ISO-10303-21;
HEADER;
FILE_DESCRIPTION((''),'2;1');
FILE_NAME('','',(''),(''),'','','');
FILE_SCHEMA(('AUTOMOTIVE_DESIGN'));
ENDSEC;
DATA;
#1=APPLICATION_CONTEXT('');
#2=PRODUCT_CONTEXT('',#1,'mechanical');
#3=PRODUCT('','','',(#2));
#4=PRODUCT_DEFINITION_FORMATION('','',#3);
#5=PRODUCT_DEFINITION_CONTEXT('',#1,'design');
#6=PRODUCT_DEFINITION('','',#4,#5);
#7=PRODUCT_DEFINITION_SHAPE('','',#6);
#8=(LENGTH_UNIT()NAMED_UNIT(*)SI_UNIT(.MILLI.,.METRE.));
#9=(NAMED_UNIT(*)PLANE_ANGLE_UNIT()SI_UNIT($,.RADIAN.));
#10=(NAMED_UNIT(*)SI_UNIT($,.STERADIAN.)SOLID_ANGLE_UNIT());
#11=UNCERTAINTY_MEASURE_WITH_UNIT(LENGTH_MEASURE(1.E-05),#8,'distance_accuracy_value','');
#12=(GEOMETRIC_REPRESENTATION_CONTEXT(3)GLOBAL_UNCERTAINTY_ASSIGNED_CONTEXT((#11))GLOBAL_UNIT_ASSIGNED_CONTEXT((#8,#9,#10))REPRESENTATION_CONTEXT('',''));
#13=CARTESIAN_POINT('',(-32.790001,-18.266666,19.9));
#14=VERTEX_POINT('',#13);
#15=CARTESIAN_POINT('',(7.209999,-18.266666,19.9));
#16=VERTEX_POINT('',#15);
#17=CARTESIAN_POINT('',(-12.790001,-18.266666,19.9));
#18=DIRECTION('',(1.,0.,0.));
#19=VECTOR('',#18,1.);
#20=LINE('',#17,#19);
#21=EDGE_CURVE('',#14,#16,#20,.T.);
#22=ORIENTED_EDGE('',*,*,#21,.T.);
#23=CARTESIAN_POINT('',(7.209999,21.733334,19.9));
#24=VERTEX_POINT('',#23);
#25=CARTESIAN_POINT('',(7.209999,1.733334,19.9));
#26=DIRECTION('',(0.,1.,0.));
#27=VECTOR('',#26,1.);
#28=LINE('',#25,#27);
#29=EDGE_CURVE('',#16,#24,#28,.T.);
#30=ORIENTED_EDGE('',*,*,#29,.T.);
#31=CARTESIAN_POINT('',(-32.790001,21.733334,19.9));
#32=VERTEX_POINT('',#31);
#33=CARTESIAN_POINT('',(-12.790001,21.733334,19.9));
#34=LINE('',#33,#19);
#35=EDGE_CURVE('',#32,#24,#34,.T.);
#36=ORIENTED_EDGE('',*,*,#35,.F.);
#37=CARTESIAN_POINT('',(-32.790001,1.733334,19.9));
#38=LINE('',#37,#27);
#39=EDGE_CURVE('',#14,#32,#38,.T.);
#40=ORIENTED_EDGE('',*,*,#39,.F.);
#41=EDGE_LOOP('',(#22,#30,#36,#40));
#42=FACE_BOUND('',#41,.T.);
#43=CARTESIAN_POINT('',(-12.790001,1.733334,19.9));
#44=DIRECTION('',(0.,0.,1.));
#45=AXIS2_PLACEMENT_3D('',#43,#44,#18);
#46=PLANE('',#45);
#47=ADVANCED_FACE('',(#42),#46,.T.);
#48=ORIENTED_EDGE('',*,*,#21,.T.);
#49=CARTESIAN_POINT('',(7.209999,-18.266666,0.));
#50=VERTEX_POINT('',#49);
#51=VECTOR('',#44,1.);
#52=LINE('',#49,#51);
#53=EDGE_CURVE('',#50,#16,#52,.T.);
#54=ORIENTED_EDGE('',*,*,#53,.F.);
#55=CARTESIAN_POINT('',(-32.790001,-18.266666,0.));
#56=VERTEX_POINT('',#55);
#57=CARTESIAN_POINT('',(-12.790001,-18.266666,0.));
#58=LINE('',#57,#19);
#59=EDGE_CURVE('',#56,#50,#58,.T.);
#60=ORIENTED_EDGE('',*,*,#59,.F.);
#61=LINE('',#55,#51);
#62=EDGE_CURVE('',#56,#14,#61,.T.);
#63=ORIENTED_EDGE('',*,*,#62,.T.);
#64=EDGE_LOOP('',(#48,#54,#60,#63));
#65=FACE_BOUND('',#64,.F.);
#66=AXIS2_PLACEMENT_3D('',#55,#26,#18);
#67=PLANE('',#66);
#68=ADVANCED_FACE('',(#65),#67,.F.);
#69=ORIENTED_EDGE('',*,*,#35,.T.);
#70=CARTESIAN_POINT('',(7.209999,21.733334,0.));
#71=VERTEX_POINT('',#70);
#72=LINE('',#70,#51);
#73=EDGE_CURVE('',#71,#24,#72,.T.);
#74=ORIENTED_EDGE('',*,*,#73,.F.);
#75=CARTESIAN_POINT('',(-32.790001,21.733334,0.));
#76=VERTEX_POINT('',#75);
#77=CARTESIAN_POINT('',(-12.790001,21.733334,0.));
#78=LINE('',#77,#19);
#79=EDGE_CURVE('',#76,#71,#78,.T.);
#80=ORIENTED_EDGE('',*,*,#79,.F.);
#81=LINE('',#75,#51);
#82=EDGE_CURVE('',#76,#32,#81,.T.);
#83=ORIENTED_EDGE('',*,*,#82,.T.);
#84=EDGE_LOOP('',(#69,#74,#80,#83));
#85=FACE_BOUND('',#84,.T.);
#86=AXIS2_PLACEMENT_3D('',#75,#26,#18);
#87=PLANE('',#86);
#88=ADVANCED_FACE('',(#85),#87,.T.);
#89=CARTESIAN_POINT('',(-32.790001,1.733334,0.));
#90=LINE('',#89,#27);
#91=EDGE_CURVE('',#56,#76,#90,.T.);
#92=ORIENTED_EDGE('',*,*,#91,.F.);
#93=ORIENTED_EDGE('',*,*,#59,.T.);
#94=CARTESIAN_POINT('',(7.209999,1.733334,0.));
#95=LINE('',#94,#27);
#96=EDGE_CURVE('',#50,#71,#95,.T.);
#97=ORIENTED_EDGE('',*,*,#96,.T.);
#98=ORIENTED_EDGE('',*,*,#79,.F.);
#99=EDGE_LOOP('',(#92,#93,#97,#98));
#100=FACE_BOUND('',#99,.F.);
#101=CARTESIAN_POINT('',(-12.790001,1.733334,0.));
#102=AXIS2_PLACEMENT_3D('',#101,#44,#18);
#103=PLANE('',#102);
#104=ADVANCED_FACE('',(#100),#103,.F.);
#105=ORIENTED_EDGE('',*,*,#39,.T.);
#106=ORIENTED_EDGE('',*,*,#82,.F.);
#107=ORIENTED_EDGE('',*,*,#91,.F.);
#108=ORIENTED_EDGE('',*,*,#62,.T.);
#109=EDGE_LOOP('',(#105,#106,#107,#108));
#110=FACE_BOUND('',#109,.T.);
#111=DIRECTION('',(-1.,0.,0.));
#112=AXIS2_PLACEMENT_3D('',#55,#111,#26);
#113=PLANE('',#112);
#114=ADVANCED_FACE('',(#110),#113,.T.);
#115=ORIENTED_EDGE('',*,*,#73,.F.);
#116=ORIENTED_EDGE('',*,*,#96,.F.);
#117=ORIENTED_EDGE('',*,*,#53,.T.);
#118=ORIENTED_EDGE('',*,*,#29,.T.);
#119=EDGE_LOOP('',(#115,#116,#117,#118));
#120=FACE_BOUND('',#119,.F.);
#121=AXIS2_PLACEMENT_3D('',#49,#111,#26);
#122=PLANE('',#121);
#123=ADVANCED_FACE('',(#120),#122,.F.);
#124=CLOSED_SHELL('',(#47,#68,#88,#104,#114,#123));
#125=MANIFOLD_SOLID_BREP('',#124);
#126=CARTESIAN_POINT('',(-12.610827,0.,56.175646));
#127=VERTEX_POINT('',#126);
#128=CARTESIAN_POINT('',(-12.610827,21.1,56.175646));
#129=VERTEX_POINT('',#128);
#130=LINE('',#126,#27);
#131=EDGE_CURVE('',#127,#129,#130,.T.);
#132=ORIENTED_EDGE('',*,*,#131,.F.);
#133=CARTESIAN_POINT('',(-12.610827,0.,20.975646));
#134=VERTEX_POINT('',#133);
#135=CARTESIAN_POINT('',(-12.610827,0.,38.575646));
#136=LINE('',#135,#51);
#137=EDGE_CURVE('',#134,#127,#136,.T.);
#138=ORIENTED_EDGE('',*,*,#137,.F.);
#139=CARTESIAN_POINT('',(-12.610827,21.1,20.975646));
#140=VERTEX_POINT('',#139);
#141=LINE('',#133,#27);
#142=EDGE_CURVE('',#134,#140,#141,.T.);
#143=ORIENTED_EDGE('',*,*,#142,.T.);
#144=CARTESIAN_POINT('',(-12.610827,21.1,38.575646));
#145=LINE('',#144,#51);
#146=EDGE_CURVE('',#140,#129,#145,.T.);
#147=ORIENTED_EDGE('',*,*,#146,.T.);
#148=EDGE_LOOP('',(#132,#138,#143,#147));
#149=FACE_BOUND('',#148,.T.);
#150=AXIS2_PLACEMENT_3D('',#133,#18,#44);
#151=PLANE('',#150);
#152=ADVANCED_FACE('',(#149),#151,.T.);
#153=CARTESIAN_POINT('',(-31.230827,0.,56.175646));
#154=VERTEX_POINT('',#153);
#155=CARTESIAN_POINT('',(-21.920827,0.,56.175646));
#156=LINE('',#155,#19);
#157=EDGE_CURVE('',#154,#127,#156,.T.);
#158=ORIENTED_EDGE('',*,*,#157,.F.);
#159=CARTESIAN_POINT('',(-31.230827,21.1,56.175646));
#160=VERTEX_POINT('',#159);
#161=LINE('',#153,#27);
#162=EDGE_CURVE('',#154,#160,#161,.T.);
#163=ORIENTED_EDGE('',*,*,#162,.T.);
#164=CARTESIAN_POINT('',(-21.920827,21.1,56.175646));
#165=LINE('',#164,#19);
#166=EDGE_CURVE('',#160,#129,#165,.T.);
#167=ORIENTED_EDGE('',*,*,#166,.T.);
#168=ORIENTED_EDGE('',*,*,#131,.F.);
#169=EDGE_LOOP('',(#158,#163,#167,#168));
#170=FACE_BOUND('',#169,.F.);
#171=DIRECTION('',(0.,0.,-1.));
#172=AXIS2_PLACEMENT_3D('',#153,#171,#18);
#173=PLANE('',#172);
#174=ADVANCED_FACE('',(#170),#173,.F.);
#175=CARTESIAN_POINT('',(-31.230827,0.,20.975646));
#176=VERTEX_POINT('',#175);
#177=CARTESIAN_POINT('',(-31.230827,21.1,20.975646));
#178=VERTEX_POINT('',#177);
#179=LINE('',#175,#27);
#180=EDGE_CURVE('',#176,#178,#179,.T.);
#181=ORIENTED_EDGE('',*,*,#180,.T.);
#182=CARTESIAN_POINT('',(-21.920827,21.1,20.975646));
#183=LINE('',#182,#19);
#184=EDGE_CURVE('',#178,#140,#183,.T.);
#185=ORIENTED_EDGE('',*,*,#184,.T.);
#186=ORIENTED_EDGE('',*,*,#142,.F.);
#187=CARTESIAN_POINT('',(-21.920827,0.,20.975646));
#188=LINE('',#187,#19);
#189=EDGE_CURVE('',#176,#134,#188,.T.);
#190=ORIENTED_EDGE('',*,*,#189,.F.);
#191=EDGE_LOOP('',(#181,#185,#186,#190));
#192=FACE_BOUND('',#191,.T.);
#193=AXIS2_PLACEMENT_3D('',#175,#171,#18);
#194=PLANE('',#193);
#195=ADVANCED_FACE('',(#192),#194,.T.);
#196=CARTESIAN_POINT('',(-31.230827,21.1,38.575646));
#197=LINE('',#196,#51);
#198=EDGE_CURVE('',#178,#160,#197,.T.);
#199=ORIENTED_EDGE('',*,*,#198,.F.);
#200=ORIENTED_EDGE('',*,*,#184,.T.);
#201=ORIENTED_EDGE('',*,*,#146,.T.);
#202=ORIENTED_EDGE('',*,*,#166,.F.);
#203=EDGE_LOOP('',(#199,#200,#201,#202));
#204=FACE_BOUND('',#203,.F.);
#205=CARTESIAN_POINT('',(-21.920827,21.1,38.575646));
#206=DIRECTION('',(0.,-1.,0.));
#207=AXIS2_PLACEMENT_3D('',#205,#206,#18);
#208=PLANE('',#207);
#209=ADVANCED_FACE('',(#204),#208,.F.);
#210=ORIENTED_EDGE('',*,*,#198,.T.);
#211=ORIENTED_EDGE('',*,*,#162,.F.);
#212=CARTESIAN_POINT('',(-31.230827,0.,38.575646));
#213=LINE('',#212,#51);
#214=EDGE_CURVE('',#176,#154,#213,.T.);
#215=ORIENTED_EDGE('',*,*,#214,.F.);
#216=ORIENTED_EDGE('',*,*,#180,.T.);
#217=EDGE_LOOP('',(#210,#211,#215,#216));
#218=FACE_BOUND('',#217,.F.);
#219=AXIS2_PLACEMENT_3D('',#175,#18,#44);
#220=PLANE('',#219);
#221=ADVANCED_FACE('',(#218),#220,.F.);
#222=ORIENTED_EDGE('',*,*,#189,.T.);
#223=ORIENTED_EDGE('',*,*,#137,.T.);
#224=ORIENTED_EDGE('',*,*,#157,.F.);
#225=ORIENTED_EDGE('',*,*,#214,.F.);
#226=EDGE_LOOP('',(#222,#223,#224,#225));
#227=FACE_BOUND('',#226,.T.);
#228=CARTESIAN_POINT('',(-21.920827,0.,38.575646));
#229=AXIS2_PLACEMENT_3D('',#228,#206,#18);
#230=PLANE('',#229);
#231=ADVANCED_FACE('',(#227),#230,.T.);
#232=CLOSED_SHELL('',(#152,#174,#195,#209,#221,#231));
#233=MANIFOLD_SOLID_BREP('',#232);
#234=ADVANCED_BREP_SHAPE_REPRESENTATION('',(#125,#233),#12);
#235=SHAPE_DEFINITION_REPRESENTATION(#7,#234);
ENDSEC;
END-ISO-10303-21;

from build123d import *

# Parameters (mm, degrees)
F0_W     = 40
F0_H     = 40
F1_DEPTH = 19.9
F2_W     = 18.62
F2_H     = 35.2
F3_DEPTH = 21.1


with BuildPart() as f1:
    # F0 (on Top) → F1 (new body)
    with BuildSketch(Plane.XY):
        with Locations((-12.790001, 1.733334)):
            Rectangle(F0_W, F0_H)
    extrude(amount=F1_DEPTH)


with BuildPart() as f3:
    # F2 (on Front) → F3 (new body)
    with BuildSketch(Plane.XZ):
        with Locations((-21.920827, 38.575646)):
            Rectangle(F2_W, F2_H)
    extrude(amount=-F3_DEPTH)


solid = Compound([f1.part, f3.part])
